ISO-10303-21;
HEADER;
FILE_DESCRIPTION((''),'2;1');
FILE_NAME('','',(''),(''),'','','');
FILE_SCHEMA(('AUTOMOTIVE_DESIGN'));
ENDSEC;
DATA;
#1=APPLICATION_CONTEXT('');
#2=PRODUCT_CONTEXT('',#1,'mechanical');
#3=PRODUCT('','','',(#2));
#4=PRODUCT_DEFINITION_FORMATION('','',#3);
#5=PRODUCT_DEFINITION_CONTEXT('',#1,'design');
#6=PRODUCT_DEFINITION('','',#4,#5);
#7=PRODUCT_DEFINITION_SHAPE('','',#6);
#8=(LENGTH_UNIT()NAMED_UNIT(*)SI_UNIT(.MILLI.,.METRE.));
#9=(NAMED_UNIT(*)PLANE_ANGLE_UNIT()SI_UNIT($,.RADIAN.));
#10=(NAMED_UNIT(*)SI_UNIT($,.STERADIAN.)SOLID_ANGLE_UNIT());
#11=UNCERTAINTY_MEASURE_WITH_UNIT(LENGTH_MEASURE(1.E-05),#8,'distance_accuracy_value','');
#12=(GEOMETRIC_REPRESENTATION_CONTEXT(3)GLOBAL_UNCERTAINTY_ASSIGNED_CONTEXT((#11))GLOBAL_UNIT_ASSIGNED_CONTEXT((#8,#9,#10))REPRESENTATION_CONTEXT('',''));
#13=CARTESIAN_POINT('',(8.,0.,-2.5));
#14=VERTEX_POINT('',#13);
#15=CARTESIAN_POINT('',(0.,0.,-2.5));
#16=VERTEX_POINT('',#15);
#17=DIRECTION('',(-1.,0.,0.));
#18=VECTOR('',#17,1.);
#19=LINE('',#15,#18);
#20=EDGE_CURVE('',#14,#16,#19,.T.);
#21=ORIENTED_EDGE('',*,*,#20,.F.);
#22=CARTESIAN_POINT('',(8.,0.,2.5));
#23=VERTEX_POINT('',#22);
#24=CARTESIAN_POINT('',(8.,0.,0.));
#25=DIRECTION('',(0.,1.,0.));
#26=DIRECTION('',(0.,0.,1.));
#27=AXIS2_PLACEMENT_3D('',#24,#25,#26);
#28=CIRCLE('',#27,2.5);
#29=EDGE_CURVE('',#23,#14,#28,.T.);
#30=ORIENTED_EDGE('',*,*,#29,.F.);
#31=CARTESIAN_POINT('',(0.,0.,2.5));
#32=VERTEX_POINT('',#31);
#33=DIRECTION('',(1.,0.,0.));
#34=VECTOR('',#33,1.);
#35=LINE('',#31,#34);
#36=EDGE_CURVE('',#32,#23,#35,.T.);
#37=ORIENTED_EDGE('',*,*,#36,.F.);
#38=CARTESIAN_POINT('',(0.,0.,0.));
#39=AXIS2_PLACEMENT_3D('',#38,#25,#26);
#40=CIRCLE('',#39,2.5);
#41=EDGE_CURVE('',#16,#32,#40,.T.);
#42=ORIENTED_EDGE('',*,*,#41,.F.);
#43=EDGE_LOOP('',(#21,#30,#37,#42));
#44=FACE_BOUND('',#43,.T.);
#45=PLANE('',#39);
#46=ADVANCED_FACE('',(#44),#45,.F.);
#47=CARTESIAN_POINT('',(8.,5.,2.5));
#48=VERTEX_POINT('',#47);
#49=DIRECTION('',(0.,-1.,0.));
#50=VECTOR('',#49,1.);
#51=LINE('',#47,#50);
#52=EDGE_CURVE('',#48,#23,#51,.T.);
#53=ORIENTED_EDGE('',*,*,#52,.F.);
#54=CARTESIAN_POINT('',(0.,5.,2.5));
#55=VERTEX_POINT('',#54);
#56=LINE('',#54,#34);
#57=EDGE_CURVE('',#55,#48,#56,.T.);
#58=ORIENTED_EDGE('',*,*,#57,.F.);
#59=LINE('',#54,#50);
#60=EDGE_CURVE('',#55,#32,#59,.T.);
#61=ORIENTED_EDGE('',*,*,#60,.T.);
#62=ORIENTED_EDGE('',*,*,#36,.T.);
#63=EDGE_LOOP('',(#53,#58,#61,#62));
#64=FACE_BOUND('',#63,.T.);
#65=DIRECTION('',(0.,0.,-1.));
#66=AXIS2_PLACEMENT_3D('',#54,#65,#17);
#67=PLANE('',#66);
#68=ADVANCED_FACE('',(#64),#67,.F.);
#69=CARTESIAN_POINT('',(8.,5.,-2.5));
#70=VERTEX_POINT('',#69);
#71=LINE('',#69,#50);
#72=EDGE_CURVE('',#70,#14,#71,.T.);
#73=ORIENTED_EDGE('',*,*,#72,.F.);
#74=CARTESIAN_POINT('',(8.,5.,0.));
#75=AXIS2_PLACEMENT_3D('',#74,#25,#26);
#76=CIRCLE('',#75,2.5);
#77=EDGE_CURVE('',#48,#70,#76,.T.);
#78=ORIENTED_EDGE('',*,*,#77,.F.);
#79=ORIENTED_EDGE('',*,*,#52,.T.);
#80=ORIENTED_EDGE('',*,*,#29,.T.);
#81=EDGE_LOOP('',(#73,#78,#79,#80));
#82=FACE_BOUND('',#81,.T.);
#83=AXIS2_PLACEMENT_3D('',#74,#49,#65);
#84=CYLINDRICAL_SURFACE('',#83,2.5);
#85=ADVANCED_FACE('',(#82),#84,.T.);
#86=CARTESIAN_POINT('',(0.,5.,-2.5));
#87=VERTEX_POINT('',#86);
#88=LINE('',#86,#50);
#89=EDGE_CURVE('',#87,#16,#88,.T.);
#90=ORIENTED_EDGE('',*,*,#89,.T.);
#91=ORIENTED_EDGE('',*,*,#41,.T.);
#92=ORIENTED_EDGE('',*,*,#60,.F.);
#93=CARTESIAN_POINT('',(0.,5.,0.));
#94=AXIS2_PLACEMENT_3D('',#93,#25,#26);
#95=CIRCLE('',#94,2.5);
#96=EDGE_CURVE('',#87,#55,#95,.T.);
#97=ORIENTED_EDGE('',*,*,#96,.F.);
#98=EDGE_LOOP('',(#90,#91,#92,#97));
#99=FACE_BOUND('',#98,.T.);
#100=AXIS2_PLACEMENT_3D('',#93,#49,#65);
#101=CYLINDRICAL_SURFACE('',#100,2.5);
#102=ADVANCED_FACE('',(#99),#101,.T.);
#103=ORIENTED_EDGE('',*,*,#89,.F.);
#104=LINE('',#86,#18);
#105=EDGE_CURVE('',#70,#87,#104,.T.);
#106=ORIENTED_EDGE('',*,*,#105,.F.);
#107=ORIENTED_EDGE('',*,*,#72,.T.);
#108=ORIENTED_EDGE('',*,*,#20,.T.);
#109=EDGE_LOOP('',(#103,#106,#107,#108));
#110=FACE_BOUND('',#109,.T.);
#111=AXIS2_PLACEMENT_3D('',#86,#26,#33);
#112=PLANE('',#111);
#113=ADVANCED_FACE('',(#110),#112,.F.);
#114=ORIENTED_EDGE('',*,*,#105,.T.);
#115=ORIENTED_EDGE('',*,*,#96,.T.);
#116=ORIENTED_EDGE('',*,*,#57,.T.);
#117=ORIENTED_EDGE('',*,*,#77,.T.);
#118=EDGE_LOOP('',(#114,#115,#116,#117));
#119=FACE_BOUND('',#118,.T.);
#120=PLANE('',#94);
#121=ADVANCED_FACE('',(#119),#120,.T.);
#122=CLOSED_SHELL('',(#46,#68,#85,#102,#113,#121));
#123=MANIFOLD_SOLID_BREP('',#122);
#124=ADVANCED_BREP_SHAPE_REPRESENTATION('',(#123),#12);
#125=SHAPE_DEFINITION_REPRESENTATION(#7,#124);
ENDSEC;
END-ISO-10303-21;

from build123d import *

# Parameters (mm, degrees)
EXTRUDE_1_DEPTH = 5


with BuildPart() as part:
    # 草图1 → 凸台-拉伸1 (new body)
    with BuildSketch(Plane(origin=(0, 0, 0), x_dir=(1, 0, 0), z_dir=(0, 1, 0))):
        with BuildLine():
            Line((0, 2.5), (8, 2.5))
            ThreePointArc((8, 2.5), (10.5, 0), (8, -2.5))
            Line((8, -2.5), (0, -2.5))
            ThreePointArc((0, -2.5), (-2.5, 0), (0, 2.5))
        make_face()
    extrude(amount=EXTRUDE_1_DEPTH)


solid = part.part
